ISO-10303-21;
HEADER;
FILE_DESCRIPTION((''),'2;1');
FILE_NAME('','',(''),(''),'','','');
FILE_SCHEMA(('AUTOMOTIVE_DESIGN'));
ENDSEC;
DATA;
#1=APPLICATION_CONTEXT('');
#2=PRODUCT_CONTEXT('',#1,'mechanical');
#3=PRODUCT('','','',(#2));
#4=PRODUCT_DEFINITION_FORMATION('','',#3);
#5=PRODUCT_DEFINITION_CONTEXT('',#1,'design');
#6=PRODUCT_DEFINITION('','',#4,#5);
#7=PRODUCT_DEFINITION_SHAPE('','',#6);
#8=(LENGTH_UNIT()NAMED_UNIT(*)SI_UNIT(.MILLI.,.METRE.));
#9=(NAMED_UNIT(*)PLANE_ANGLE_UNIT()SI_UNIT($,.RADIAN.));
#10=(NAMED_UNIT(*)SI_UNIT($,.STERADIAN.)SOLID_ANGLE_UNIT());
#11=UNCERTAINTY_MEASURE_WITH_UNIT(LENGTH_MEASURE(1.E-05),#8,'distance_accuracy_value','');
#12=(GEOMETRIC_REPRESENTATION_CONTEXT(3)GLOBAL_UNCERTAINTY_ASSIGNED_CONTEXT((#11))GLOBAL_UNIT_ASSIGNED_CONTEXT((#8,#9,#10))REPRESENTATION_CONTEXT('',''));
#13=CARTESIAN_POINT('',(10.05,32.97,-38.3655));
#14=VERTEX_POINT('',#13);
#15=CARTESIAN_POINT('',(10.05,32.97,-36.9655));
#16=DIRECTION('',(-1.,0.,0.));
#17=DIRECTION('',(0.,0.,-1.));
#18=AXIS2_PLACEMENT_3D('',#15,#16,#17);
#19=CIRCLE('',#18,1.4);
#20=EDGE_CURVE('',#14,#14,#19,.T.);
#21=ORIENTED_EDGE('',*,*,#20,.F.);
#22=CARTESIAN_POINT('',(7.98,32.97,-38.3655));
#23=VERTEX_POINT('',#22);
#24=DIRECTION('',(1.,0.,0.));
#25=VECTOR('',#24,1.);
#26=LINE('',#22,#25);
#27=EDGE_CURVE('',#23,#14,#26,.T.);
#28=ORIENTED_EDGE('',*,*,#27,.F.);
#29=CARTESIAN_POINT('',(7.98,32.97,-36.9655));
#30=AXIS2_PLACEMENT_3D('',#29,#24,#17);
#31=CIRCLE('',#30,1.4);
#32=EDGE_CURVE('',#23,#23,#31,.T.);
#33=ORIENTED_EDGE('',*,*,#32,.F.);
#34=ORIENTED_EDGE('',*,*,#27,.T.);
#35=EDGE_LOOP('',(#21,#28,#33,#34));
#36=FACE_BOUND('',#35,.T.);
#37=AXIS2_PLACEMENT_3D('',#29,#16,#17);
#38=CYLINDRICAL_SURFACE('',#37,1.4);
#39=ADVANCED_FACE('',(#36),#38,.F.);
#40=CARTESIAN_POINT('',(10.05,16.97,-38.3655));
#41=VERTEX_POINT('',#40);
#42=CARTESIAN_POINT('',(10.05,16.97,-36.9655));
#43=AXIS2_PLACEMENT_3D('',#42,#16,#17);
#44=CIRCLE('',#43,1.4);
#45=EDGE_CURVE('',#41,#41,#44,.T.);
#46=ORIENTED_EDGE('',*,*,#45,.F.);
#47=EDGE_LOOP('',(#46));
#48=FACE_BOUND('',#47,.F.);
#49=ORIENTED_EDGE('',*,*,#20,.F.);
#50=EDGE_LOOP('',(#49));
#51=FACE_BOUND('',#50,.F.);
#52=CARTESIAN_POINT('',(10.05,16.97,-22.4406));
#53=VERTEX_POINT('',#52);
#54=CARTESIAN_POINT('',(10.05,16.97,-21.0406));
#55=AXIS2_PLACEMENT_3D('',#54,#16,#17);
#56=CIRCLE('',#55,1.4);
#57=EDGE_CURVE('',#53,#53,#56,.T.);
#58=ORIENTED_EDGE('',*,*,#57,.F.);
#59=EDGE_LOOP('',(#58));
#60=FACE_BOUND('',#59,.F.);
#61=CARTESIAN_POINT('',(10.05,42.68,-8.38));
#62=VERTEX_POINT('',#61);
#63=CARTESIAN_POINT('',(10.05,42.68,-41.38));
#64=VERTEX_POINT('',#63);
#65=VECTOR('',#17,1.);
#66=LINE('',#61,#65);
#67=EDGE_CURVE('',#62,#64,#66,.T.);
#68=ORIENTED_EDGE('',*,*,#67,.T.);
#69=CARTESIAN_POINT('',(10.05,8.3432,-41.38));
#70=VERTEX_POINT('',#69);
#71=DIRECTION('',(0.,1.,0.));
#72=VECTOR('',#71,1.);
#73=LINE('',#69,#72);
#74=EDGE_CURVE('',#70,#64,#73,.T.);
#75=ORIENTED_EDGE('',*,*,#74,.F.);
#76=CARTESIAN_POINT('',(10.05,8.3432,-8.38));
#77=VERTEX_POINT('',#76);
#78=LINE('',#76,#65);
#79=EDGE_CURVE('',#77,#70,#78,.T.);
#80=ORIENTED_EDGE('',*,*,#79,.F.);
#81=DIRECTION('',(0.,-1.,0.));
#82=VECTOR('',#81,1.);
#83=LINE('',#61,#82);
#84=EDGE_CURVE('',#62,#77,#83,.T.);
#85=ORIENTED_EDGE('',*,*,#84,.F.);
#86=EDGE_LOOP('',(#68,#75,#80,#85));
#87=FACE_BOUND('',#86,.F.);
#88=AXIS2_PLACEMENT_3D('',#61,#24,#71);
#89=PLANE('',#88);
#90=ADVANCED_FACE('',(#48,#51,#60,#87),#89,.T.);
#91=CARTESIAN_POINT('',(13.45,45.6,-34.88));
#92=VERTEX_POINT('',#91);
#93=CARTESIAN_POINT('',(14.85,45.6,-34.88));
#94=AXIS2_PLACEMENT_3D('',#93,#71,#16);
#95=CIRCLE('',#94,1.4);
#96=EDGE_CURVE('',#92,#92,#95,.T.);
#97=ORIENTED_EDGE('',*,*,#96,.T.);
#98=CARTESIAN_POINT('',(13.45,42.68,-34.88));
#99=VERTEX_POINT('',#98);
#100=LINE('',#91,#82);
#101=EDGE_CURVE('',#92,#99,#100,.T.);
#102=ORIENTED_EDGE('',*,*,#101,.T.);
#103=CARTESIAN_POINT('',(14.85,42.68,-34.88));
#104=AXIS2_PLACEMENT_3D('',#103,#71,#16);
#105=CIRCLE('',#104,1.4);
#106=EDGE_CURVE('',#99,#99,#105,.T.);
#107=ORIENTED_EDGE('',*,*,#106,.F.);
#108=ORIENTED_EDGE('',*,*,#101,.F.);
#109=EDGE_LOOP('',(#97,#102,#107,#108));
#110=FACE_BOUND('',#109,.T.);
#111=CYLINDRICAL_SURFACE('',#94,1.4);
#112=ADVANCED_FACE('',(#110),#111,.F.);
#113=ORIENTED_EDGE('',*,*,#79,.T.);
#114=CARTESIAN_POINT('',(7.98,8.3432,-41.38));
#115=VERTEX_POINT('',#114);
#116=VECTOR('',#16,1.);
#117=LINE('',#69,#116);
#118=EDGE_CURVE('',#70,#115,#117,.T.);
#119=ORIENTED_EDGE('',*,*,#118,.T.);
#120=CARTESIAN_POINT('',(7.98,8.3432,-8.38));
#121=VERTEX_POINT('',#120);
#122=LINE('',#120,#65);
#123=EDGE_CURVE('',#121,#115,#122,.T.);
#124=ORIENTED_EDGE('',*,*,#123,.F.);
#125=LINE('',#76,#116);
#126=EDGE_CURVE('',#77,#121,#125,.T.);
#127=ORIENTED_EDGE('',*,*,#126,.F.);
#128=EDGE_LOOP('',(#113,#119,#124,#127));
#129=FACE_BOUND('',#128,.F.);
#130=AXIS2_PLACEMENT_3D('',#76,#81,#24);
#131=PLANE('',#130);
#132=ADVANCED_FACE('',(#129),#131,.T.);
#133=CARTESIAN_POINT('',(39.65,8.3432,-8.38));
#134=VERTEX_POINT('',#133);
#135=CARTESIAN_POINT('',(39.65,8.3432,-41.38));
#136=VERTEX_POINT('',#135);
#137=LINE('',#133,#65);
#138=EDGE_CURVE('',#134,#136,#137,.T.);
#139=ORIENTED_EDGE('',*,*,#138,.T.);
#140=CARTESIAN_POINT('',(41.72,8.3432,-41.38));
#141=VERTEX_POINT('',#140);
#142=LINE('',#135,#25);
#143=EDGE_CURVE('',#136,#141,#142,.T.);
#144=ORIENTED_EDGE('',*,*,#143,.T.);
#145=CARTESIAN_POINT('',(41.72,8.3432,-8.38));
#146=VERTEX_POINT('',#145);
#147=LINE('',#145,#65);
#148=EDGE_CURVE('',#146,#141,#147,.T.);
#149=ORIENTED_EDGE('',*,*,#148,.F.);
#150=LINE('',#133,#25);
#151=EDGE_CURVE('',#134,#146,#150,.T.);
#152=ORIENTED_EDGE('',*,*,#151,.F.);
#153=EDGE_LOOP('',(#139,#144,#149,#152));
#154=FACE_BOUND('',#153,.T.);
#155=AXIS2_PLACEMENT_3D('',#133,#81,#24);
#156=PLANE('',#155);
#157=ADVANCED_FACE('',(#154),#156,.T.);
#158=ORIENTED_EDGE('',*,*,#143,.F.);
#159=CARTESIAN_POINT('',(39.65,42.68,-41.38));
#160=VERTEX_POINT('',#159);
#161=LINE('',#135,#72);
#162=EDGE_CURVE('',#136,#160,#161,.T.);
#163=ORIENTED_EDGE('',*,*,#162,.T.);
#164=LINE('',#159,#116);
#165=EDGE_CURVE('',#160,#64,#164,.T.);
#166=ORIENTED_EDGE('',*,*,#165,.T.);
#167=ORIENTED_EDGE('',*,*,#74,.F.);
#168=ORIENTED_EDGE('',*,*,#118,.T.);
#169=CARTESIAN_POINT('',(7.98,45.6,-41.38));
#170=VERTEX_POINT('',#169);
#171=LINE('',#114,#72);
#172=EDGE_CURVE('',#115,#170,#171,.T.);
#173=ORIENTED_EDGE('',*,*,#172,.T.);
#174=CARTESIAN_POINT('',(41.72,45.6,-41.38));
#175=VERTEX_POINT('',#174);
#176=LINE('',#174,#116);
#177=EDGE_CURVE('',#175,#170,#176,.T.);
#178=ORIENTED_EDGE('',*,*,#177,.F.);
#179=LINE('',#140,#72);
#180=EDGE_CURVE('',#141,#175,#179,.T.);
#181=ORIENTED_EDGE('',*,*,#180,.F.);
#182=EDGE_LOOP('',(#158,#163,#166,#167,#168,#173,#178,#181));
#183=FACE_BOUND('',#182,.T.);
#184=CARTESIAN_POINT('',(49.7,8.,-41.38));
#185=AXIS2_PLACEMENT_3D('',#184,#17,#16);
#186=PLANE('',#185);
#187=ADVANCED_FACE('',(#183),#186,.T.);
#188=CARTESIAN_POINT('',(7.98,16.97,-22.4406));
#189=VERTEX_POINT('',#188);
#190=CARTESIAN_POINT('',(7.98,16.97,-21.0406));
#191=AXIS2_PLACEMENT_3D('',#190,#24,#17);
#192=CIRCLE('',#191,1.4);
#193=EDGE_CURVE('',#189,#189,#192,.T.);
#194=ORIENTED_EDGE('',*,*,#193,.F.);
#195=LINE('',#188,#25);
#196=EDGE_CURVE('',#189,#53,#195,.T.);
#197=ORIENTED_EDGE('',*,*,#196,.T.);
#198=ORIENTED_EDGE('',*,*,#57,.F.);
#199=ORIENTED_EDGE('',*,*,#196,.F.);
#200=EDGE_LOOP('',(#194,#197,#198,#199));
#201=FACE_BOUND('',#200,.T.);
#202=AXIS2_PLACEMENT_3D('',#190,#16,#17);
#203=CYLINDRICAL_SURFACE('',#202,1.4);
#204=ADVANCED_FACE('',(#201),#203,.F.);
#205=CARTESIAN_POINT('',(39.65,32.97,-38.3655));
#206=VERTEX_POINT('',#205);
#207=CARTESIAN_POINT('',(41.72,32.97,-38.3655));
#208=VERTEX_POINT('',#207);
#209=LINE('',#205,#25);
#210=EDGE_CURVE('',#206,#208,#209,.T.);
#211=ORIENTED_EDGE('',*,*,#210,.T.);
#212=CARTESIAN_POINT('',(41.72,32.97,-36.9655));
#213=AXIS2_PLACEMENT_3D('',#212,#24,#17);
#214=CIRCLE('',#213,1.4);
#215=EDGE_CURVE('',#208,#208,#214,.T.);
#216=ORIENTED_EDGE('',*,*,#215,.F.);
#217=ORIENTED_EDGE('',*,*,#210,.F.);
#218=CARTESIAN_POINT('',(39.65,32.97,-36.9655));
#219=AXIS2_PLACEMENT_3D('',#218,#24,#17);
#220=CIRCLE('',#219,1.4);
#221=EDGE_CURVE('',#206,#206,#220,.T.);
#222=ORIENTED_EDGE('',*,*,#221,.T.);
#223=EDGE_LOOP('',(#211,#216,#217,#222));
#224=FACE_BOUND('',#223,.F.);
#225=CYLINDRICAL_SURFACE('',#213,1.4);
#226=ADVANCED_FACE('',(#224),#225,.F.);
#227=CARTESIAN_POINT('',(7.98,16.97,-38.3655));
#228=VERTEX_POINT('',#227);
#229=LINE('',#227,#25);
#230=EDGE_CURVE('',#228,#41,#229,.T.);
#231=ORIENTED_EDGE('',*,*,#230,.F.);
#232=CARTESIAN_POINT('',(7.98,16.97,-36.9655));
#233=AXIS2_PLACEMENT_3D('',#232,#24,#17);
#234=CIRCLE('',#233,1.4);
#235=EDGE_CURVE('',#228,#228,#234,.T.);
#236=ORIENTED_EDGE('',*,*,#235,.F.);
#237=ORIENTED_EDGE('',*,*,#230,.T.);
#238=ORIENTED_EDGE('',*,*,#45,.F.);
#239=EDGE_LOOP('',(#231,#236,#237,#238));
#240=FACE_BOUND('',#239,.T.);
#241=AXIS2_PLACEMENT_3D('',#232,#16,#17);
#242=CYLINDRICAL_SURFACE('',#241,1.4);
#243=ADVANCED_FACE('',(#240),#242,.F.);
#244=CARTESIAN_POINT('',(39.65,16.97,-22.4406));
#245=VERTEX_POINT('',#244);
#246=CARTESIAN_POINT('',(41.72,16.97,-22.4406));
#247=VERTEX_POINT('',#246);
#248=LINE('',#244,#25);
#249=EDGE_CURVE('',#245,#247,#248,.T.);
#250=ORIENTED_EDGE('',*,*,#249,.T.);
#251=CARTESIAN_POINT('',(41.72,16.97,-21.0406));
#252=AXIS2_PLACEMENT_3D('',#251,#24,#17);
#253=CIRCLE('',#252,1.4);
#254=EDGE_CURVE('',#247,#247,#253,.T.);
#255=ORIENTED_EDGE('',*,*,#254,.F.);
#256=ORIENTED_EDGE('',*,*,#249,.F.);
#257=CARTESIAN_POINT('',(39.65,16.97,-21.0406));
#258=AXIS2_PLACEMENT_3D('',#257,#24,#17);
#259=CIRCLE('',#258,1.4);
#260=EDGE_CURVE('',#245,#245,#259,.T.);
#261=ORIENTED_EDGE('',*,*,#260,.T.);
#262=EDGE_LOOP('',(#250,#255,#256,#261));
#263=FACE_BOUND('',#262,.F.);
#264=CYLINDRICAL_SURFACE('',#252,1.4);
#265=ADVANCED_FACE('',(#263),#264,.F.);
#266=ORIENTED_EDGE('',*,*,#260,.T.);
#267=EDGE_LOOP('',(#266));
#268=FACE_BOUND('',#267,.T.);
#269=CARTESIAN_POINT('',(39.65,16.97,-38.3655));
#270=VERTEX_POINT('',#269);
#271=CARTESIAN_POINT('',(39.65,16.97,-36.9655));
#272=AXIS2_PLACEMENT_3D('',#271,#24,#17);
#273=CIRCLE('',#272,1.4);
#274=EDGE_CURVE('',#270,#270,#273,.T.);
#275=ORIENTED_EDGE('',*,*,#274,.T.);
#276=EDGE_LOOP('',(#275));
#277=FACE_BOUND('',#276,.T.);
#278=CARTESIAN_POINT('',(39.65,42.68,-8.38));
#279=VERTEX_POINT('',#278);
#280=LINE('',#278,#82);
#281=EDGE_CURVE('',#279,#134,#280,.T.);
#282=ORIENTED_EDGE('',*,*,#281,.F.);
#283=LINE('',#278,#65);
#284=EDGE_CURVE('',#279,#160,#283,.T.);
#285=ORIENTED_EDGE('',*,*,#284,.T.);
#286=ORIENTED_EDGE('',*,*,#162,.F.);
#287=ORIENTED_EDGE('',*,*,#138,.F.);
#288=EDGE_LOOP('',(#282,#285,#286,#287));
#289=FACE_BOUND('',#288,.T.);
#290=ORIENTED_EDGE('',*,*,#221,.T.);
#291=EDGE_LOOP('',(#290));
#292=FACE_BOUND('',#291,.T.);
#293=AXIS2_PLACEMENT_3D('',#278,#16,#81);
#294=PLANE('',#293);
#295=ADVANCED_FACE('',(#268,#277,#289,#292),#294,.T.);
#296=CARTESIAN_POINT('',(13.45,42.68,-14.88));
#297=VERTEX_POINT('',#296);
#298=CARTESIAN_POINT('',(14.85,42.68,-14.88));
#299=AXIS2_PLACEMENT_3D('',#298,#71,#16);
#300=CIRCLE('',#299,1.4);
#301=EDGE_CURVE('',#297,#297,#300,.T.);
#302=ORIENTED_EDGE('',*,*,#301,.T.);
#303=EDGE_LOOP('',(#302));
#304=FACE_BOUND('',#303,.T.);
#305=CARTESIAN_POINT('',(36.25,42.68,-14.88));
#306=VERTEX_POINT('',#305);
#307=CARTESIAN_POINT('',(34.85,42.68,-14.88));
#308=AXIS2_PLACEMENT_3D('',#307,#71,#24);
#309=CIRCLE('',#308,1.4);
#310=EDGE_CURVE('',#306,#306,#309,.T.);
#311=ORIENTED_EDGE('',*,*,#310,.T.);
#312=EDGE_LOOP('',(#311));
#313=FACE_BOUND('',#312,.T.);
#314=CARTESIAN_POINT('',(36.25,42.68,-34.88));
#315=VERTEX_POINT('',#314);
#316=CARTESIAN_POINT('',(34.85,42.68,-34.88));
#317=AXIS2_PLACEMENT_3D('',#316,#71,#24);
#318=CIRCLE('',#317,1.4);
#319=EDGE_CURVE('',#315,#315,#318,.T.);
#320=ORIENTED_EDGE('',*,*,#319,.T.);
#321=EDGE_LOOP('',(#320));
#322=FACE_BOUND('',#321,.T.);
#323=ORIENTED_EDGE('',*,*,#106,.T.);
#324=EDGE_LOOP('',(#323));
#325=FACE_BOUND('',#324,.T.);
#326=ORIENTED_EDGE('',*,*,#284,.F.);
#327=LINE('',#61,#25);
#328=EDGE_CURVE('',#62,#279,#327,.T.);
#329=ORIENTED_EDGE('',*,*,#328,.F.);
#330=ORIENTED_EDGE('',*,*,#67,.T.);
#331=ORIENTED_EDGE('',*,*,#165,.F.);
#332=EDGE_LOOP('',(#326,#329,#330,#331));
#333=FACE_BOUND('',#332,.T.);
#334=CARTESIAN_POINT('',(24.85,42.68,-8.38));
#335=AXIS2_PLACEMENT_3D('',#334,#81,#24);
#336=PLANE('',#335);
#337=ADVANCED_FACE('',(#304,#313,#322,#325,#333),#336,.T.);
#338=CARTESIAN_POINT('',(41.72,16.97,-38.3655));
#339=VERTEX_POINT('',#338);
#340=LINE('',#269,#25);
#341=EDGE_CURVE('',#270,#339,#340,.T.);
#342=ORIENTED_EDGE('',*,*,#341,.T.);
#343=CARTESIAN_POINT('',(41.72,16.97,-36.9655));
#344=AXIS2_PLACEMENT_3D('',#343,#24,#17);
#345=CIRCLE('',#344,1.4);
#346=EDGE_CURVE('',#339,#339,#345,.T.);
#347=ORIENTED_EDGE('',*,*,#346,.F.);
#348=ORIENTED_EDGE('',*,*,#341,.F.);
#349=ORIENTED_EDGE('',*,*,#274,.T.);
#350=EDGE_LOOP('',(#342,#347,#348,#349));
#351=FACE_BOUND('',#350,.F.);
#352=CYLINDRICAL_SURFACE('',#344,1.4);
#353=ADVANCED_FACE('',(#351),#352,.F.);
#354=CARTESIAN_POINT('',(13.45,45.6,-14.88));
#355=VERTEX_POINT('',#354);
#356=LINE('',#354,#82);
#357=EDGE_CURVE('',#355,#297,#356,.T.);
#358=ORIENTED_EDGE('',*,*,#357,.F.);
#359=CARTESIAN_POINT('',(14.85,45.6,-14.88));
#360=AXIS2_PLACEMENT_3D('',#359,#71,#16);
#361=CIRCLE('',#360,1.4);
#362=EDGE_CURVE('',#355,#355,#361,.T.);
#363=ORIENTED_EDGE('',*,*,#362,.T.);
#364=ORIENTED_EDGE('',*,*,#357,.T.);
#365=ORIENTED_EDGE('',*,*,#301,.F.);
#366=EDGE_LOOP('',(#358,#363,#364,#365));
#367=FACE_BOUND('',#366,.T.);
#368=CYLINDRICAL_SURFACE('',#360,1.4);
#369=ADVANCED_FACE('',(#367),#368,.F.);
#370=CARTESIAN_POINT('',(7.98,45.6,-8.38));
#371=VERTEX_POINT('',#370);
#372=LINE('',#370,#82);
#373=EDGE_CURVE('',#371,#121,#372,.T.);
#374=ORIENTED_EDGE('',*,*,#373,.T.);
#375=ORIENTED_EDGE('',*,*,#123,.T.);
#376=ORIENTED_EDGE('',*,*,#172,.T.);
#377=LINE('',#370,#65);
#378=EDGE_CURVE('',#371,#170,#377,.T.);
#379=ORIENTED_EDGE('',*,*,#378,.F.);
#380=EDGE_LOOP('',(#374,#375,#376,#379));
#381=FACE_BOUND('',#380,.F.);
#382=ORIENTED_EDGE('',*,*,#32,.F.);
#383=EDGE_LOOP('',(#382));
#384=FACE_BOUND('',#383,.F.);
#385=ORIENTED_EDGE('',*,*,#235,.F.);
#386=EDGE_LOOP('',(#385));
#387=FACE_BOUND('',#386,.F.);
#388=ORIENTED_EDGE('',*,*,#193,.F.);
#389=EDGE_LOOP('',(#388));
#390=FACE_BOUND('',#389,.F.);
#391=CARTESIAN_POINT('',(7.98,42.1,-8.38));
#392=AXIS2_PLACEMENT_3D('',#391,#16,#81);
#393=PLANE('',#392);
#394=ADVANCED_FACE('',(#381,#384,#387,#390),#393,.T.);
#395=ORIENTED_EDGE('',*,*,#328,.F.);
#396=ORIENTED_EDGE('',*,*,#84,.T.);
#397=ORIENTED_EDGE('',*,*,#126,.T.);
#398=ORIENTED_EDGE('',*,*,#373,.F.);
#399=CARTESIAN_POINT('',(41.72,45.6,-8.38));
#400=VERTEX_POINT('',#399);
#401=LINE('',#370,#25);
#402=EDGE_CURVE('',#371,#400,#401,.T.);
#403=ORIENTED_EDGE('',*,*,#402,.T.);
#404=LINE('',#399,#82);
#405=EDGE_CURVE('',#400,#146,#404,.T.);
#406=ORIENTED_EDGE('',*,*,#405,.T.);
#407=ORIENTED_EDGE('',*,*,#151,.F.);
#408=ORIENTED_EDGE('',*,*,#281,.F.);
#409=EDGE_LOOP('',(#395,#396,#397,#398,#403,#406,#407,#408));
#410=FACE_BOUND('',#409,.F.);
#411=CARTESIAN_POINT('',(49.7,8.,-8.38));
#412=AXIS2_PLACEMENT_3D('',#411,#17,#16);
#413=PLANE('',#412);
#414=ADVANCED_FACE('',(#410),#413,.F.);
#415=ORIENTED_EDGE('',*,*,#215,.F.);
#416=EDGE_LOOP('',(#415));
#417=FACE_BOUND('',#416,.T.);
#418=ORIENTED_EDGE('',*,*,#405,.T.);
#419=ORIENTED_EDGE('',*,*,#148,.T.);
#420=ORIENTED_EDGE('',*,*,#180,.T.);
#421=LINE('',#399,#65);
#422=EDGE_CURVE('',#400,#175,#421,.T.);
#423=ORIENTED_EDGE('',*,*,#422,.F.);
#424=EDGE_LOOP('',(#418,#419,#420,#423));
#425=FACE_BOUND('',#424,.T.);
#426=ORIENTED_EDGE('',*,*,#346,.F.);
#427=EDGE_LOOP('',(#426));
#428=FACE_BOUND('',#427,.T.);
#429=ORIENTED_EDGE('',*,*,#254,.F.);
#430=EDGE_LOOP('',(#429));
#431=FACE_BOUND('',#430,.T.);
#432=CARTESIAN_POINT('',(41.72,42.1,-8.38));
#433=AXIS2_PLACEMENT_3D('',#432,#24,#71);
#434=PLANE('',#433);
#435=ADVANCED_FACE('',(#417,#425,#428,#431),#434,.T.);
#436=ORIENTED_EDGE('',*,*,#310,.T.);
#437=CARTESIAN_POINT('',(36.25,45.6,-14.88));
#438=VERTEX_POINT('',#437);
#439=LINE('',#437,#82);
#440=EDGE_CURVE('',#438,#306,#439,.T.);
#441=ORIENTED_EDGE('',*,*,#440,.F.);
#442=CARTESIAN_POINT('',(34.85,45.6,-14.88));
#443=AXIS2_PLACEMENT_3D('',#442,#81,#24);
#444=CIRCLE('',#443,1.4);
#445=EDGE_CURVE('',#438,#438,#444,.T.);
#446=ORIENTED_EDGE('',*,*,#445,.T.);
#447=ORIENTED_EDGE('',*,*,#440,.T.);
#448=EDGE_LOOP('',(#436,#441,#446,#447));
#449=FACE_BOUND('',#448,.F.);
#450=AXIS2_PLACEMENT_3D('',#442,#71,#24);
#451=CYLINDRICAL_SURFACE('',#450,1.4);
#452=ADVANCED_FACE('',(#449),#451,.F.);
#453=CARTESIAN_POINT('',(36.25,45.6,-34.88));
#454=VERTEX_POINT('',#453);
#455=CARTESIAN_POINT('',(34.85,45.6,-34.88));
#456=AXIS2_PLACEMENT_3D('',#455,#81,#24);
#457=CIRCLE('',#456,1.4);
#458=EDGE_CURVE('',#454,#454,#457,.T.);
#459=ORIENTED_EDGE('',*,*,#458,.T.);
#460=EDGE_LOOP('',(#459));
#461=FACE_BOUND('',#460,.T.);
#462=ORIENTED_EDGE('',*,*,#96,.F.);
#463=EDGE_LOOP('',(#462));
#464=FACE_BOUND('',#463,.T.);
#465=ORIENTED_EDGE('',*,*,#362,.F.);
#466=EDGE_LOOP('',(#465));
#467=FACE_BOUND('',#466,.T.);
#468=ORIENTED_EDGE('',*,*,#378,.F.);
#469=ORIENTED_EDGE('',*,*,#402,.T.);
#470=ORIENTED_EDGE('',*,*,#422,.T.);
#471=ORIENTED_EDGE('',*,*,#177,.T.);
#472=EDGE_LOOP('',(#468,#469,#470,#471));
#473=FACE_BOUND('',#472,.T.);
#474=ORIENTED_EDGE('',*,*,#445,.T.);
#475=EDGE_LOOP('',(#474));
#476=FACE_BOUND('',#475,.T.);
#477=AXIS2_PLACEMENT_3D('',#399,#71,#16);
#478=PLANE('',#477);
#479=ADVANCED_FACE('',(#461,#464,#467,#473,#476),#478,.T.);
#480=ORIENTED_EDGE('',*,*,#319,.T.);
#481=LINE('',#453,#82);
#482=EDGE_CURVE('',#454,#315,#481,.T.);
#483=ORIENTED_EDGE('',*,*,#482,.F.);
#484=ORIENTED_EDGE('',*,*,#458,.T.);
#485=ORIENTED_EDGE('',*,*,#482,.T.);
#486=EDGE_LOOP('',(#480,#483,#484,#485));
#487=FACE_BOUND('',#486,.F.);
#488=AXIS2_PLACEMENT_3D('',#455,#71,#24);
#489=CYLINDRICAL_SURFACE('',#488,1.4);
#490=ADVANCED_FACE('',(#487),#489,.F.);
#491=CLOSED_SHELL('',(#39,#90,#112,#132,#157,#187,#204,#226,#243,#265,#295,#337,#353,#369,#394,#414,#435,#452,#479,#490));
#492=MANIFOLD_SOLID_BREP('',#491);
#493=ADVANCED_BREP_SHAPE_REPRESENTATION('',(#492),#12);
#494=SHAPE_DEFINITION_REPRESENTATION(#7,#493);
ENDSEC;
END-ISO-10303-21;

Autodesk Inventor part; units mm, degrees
ref_plane "YZ Plane" through (0, 0, 0) normal (1, 0, 0) x (0, 1, 0)
ref_plane "XZ Plane" through (0, 0, 0) normal (0, 1, 0) x (-1, 0, 0)
ref_plane "Arbeitsebene1" through (49.7, 8, -8.38) normal (0, 0, -1) x (-1, 0, 0)
sketch "Skizze1" plane through (49.7, 8, -8.38) normal (0, 0, -1) x (-1, 0, 0)
  line L0 (2, 0) -> (2, 41.6) projected
  line L1 (7.88, 0) -> (2, 0) projected
  line L2 (7.88, 34.1) -> (7.88, 0) projected
  line L3 (47.7, 34.1) -> (7.88, 34.1) projected
  line L4 (47.7, 41.6) -> (47.7, 34.1) projected
  line L5 (2, 41.6) -> (47.7, 41.6) projected
  line L6 (40.85, 0) -> (40.85, -4.62) projected
  line L7 (40.85, -4.62) -> (8.85, -4.62) projected
  line L8 (8.85, -4.62) -> (8.85, 0) projected
  line L9 (2, 0) -> (8.85, 0) projected
  line L10 (2, -7.5) -> (2, 0) projected
  line L11 (47.7, -7.5) -> (2, -7.5) projected
  line L12 (47.7, 34.1) -> (47.7, -7.5) projected
  line L13 (41.82, 34.1) -> (47.7, 34.1) projected
  line L14 (41.82, 0) -> (41.82, 34.1) projected
  line L15 (40.85, 0) -> (41.82, 0) projected
  line L16 (10.35, -3.12) -> (10.35, 34.38) projected
  line L17 (39.35, 34.38) -> (39.35, -3.12) projected
  line L18 (39.35, 34.38) -> (39.35, -3.12) projected
  line L19 (39.35, 34.38) -> (10.35, 34.38) projected
  line L20 (10.35, -3.12) -> (10.35, 34.38) projected
  line L21 (39.35, -3.12) -> (10.35, -3.12) projected
  line L22 (10.35, -3.12) -> (39.35, -3.12) construction
  line L23 (39.35, -3.12) -> (39.35, 34.38) construction
  line L24 (39.35, 34.38) -> (10.35, 34.38) construction
  line L25 (10.35, 34.38) -> (10.35, -3.12) construction
  line L26 (10.05, 34.68) -> (39.65, 34.68) construction
  line L27 (39.65, 34.68) -> (39.65, -3.42) construction
  line L28 (39.65, -3.42) -> (10.05, -3.42) construction
  line L29 (10.05, -3.42) -> (10.05, 34.68) construction
  line L30 (10.05, 0.3432) -> (7.98, 0.3432)
  line L31 (7.98, 0.3432) -> (7.98, 37.6)
  line L32 (7.98, 37.6) -> (10.05, 37.6)
  line L33 (10.05, 37.6) -> (10.05, 0.3432)
  line L34 (10.05, 37.6) -> (24.85, 37.6)
  line L35 (24.85, 37.6) -> (24.85, 34.68)
  line L36 (24.85, 34.68) -> (10.05, 34.68)
  line L37 (10.05, 34.68) -> (10.05, 37.6)
  point P0 (49.7, -8)
  point P1 (24.85, 34.68)
  dimension "d1" = 0.3
  dimension "d2" = 0.1
  dimension "d3" = 4
ref_plane "Arbeitsebene2" through (41.82, 8, -41.82) normal (0, 0, 1) x (1, 0, 0)
extrude "Extrusion1" add sketch "Skizze1" along normal blind 33 contours L31 L32 L33 L3 | L3 L33 L30 L31 | L33 L34 L35 L36
sketch "Skizze2" plane through (41.72, 8.3432, -8.38) normal (1, 0, 0) x (0, 0, -1)
  circle A0 centre (12.6606, 8.6268) radius 1.4 projected
  circle A1 centre (28.5855, 24.6268) radius 1.4 projected
  circle A2 centre (28.5855, 8.6268) radius 1.4 projected
  point P0 (-8.38, -8.3432)
extrude "Extrusion2" cut sketch "Skizze2" against normal blind 33
sketch "Skizze3" plane through (24.85, 45.6, -8.38) normal (0, 1, 0) x (1, 0, 0)
  line L0 (0, 0) -> (16.87, 0) projected
  line L1 (16.87, 0) -> (16.87, 33) projected
  line L2 (0, 33) -> (16.87, 33) projected
  line L3 (0, 0) -> (0, 33) projected
  line L4 (-10, 6.5) -> (10, 6.5)
  line L5 (10, 6.5) -> (10, 26.5)
  line L6 (10, 26.5) -> (-10, 26.5)
  line L7 (-10, 26.5) -> (-10, 6.5)
  line L8 (-10, 6.5) -> (10, 26.5) construction
  line L9 (10, 6.5) -> (-10, 26.5) construction
  circle A0 centre (10, 26.5) radius 1.4
  circle A1 centre (10, 6.5) radius 1.4
  point P0 (-24.85, -8.38)
  point P1 (0, 16.5)
  dimension "d8" = 20
  dimension "d9" = 20
  dimension "d10" = 2.8
  dimension "d11" = 2.8
extrude "Extrusion3" cut sketch "Skizze3" against normal blind 33 contours A1 L5 L4 | L4 L5 A1 | A0 L5 L6 | L6 L5 A0
mirror "Spiegeln1" about plane through (24.85, 42.68, -8.38) normal (-1, 0, 0) of "Extrusion1", "Extrusion2", "Extrusion3"
properties part number "Assembly_Cube_Laser_Multicolour_insert_v3"
